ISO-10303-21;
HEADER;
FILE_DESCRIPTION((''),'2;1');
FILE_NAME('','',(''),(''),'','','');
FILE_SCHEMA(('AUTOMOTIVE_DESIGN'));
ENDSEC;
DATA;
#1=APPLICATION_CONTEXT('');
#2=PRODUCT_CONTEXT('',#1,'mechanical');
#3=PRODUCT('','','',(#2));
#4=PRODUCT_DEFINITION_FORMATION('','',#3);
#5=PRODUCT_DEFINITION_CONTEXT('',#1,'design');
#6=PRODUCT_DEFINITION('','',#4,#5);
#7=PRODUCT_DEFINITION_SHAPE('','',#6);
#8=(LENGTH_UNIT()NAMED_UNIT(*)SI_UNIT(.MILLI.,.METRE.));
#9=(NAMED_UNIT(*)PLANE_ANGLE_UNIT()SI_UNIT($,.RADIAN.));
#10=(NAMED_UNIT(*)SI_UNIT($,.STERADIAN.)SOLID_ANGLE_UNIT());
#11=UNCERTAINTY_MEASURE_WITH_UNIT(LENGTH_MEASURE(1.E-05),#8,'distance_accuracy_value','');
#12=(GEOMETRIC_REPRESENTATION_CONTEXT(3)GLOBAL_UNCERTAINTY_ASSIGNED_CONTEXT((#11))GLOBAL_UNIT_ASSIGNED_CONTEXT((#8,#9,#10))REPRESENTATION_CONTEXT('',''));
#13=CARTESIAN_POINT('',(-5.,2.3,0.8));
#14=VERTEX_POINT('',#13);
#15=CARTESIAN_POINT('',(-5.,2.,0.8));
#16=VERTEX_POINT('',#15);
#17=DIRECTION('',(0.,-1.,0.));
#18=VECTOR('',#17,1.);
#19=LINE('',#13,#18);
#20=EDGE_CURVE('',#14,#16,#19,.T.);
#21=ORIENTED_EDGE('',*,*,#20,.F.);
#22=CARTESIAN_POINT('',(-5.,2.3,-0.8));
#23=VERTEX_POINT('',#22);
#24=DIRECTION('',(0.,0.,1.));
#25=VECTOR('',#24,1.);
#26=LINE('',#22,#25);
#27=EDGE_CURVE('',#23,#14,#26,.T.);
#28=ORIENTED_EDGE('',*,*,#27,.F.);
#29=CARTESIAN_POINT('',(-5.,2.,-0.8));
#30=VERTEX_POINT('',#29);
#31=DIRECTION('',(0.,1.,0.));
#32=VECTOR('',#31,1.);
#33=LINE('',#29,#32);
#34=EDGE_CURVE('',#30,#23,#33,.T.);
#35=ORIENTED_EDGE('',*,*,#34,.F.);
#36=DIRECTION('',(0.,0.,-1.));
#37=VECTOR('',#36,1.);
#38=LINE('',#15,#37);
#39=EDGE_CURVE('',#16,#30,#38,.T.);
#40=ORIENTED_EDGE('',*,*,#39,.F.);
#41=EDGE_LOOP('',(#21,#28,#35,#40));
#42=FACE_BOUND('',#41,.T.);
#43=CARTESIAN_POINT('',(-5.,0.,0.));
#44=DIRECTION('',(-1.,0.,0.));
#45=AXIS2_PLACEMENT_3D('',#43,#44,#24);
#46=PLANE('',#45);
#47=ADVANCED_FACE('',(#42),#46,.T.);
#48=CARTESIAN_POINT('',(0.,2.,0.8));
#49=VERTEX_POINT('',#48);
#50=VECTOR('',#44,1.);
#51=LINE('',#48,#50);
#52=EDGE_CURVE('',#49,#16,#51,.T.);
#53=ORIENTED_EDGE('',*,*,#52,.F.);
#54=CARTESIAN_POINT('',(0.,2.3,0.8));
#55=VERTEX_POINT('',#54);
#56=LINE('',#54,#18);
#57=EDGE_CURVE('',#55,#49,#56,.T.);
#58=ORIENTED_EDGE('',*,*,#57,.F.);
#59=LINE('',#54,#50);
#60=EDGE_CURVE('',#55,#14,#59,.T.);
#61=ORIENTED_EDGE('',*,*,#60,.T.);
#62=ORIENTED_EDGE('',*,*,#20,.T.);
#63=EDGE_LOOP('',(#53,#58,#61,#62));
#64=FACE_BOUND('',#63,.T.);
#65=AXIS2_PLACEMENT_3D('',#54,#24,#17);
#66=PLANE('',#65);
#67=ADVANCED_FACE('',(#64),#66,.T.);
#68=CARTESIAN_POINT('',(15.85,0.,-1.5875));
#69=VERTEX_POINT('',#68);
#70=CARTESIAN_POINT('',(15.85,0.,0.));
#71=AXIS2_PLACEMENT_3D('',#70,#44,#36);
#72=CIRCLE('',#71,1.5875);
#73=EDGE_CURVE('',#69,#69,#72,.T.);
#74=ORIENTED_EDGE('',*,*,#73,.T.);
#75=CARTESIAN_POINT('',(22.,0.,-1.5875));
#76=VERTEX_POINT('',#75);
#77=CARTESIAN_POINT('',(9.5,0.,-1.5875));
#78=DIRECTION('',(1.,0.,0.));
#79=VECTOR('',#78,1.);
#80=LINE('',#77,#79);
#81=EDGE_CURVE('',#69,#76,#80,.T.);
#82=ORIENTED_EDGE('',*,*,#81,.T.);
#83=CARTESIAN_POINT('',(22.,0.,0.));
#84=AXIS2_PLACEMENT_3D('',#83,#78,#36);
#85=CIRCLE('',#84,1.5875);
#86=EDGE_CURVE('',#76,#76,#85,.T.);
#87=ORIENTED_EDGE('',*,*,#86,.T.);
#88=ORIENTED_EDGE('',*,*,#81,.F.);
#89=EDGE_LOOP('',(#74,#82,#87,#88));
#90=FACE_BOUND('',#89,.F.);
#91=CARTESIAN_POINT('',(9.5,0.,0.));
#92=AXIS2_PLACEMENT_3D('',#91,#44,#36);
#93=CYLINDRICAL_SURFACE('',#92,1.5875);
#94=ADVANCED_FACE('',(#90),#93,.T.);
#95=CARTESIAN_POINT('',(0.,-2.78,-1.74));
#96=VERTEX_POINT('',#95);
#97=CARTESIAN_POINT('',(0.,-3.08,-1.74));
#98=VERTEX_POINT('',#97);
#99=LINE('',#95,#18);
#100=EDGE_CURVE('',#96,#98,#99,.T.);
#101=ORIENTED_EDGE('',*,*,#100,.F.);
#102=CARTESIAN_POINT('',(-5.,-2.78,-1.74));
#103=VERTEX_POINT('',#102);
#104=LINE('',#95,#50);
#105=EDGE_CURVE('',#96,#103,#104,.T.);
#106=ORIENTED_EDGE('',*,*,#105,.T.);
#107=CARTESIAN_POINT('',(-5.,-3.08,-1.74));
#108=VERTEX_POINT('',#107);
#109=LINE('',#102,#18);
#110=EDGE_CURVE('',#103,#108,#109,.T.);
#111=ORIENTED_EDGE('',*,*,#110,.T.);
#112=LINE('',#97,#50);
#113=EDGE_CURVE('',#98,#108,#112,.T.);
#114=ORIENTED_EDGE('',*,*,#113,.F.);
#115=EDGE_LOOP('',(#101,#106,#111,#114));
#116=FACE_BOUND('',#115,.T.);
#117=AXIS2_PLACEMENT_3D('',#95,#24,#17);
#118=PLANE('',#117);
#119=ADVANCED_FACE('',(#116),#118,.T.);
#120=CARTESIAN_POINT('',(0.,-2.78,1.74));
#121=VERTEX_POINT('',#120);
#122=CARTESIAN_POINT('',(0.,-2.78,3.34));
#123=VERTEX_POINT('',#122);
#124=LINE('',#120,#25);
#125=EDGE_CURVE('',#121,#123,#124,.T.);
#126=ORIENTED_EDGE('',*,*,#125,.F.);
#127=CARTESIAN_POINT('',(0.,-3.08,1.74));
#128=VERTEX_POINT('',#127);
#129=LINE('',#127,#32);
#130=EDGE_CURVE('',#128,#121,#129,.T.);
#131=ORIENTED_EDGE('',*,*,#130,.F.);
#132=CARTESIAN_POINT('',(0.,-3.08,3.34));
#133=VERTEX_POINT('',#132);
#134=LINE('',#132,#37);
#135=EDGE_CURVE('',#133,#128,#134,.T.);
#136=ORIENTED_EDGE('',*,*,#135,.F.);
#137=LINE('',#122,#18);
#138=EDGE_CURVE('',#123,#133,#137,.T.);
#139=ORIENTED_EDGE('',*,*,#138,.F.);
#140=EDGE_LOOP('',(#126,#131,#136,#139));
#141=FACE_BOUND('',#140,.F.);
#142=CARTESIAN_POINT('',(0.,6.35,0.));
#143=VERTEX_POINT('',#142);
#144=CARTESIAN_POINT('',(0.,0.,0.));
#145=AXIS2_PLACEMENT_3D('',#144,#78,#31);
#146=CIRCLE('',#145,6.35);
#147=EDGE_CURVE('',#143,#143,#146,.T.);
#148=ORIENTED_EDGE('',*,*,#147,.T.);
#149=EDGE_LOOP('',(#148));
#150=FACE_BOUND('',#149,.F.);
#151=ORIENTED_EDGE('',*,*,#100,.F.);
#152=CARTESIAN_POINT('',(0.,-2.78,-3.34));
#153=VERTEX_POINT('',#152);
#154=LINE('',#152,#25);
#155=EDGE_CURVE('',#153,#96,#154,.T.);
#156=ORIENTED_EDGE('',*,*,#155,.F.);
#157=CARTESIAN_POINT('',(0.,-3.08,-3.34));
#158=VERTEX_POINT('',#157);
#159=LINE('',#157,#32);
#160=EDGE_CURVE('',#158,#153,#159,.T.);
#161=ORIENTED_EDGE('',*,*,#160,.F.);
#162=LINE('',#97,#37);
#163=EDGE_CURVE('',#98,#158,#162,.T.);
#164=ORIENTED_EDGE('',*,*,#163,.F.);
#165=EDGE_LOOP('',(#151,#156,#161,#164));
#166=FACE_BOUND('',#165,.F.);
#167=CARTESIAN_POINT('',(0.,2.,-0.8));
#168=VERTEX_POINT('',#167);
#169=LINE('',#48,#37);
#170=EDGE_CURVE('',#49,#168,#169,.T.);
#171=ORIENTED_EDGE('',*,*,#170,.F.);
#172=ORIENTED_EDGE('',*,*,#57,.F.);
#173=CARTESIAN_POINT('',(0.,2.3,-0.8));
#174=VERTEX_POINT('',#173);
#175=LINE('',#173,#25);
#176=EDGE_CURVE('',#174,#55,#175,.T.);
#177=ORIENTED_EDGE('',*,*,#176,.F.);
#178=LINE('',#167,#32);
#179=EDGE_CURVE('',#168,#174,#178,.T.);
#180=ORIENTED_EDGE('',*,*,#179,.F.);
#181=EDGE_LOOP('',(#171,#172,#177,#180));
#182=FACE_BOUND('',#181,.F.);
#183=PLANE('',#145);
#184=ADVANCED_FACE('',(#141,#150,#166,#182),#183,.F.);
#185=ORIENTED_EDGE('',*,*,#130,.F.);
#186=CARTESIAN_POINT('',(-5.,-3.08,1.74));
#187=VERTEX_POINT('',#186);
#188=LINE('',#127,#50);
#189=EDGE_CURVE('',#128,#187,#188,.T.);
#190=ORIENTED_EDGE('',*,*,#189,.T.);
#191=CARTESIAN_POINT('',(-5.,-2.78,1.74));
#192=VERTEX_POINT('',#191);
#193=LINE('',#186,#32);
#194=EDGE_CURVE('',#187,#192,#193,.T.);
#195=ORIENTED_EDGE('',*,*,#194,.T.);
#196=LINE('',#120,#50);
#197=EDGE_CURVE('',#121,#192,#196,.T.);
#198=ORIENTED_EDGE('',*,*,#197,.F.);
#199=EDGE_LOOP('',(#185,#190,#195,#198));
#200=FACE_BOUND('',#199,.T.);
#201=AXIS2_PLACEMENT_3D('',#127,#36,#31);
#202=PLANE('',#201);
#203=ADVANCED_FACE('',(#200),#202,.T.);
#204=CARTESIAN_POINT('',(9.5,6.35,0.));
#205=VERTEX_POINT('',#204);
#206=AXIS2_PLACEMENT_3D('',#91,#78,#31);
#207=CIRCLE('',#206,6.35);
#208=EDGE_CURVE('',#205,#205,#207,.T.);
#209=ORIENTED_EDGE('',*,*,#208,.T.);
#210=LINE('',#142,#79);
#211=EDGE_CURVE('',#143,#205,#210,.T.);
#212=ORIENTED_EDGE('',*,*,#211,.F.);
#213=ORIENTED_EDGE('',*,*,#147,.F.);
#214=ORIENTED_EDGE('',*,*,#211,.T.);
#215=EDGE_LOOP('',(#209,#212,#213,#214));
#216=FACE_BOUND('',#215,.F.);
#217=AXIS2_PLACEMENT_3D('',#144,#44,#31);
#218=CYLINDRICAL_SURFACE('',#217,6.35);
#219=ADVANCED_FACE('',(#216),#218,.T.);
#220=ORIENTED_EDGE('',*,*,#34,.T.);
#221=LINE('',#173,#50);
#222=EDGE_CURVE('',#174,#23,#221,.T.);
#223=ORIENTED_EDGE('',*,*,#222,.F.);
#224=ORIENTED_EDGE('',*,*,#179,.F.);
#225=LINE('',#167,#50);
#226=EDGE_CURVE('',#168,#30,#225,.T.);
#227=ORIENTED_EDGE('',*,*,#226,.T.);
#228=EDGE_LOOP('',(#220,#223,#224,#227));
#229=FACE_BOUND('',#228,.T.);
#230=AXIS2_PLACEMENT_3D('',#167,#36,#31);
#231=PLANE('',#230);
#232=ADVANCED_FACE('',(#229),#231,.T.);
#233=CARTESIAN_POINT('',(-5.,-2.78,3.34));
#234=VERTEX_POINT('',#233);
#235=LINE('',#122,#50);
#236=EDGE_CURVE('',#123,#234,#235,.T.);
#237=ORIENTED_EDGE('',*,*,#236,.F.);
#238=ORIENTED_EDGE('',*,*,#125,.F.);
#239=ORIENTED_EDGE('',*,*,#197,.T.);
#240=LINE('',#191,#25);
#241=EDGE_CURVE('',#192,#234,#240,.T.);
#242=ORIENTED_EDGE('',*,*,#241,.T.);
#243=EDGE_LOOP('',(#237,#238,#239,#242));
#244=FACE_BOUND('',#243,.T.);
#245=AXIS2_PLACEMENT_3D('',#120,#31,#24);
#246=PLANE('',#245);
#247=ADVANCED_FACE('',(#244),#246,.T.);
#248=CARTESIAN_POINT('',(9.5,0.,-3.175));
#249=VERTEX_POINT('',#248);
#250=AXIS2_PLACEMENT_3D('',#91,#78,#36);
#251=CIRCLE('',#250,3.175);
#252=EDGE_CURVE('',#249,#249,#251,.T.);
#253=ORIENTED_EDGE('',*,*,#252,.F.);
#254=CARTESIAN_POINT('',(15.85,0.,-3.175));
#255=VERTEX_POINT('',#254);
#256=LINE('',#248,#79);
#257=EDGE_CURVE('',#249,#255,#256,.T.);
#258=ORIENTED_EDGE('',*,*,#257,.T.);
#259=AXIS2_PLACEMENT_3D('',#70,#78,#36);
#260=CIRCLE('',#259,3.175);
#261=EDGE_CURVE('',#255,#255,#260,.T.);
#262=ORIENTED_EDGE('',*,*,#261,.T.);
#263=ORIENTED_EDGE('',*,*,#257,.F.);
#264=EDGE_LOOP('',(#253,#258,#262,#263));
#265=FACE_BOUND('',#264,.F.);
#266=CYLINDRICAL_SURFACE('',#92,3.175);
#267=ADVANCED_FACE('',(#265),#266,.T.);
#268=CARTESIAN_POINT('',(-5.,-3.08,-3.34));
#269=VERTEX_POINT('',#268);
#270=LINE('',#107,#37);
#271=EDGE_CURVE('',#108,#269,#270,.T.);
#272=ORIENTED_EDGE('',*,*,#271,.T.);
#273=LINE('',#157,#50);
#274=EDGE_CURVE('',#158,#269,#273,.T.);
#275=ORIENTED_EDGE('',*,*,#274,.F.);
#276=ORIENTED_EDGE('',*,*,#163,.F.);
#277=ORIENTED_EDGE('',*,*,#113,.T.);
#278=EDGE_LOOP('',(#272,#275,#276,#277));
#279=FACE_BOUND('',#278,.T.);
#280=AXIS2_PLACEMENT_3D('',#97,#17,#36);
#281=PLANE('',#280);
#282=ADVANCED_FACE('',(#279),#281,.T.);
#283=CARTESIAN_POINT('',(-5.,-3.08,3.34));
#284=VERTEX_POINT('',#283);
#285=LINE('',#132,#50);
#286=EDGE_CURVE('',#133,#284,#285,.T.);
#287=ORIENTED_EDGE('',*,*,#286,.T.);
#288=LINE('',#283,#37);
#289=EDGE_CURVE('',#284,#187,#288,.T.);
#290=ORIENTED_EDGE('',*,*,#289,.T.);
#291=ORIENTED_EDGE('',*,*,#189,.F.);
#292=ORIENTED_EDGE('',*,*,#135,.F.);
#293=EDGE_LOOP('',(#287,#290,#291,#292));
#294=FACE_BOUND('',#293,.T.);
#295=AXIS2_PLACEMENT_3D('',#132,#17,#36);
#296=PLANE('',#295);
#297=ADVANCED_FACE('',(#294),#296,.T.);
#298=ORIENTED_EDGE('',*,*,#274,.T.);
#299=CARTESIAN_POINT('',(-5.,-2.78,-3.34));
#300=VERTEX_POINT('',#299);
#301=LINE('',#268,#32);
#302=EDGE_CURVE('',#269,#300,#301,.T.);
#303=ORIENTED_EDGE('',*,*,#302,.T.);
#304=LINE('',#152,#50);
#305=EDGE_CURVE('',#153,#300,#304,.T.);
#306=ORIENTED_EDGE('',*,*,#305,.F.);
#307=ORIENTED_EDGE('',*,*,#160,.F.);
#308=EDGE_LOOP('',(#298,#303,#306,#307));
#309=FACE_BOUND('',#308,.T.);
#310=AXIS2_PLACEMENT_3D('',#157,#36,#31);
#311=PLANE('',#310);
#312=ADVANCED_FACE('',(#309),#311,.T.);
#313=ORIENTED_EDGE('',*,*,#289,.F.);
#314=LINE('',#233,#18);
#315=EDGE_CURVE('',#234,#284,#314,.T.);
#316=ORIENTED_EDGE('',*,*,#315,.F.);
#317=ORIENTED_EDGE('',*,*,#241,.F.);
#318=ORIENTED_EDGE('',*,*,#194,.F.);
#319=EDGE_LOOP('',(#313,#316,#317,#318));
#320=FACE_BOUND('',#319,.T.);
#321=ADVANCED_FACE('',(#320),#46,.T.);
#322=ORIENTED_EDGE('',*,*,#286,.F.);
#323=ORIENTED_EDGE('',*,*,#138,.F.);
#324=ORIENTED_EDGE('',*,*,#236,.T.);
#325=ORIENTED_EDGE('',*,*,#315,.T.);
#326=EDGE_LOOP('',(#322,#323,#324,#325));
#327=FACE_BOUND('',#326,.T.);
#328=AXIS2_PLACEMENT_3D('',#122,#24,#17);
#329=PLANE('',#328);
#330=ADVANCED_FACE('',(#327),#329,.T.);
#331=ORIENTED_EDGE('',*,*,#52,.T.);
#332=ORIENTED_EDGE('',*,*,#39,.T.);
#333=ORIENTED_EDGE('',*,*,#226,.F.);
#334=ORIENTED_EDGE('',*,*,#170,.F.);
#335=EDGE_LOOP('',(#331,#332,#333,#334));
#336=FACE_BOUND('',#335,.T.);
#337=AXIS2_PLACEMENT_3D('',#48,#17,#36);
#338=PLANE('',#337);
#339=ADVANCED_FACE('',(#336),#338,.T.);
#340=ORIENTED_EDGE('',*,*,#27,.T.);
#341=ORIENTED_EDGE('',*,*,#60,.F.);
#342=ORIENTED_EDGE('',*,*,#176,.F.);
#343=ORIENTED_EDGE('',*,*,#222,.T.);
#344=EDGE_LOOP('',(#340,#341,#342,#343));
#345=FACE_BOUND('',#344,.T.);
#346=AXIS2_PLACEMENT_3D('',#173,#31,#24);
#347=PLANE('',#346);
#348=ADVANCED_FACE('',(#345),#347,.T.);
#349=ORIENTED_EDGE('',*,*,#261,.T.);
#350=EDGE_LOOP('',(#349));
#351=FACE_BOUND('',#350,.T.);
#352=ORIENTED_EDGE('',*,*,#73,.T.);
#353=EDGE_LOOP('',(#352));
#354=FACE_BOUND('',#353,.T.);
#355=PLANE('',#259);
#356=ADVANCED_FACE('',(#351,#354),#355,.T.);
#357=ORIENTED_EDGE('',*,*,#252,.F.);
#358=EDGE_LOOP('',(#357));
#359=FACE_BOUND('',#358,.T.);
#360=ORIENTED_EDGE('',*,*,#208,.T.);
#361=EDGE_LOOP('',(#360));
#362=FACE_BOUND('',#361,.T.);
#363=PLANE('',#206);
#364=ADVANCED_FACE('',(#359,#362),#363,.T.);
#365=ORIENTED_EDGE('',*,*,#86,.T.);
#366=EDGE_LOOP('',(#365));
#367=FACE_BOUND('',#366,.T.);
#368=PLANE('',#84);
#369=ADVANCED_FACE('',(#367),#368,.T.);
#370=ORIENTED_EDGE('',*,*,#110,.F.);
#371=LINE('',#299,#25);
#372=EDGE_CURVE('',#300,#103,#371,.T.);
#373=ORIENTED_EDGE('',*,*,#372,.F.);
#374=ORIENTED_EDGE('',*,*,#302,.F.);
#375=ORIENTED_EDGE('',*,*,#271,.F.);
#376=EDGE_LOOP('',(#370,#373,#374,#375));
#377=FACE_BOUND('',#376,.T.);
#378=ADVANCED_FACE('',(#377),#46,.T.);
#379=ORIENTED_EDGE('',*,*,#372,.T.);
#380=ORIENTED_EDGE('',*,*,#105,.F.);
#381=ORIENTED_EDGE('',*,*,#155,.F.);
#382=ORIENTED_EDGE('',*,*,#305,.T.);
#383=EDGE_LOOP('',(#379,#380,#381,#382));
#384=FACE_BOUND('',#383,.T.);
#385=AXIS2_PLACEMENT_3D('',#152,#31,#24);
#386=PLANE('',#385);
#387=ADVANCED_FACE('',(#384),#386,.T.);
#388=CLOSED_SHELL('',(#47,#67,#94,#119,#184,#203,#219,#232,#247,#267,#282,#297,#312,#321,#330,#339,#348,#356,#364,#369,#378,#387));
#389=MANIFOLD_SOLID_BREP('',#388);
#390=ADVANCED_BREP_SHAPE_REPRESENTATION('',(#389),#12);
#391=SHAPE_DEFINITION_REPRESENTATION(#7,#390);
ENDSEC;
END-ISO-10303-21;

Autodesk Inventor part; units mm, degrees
ref_plane "YZ Plane" through (0, 0, 0) normal (1, 0, 0) x (0, 1, 0)
ref_plane "XZ Plane" through (0, 0, 0) normal (0, 1, 0) x (-1, 0, 0)
ref_plane "XY Plane" through (0, 0, 0) normal (0, 0, 1) x (1, 0, 0)
sketch "Sketch1" plane through (0, 0, 0) normal (1, 0, 0) x (0, 1, 0)
  circle A0 centre (0, 0) radius 6.35
  dimension "d0" = 12.7
extrude "Extrusion1" add sketch "Sketch1" along normal blind 9.5
sketch "Sketch2" plane through (9.5, 0, 0) normal (1, 0, 0) x (0, 0, -1)
  circle A0 centre (0, 0) radius 1.5875
  dimension "d3" = 3.175
extrude "Extrusion2" add sketch "Sketch2" along normal blind 12.5
sketch "Sketch3" plane through (0, 0, 0) normal (-1, 0, 0) x (0, 0, 1)
  line L0 (-0.8, 2.3) -> (0.8, 2.3)
  line L1 (0.8, 2.3) -> (0.8, 2)
  line L2 (0.8, 2) -> (-0.8, 2)
  line L3 (-0.8, 2) -> (-0.8, 2.3)
  line L4 (-3.34, -2.78) -> (-1.74, -2.78)
  line L5 (-1.74, -2.78) -> (-1.74, -3.08)
  line L6 (-1.74, -3.08) -> (-3.34, -3.08)
  line L7 (-3.34, -3.08) -> (-3.34, -2.78)
  line L8 (1.74, -2.78) -> (3.34, -2.78)
  line L9 (3.34, -2.78) -> (3.34, -3.08)
  line L10 (3.34, -3.08) -> (1.74, -3.08)
  line L11 (1.74, -3.08) -> (1.74, -2.78)
  point P0 (0, 0)
  dimension "d6" = 1.6
  dimension "d7" = 0.3
  dimension "d8" = 0.3
  dimension "d9" = 1.6
  dimension "d10" = 1.6
  dimension "d11" = 0.3
  dimension "d12" = 0.8
  dimension "d13" = 2
  dimension "d14" = 4.78
  dimension "d15" = 0
  dimension "d16" = 3.48
  dimension "d17" = 1.74
extrude "Extrusion3" add sketch "Sketch3" along normal blind 5
sketch "Sketch4" plane through (9.5, 0, 0) normal (1, 0, 0) x (0, 0, -1)
  circle A0 centre (0, 0) radius 3.175
  dimension "d20" = 6.35
extrude "Extrusion4" add sketch "Sketch4" along normal blind 6.35
properties part number "Potentiometer"
